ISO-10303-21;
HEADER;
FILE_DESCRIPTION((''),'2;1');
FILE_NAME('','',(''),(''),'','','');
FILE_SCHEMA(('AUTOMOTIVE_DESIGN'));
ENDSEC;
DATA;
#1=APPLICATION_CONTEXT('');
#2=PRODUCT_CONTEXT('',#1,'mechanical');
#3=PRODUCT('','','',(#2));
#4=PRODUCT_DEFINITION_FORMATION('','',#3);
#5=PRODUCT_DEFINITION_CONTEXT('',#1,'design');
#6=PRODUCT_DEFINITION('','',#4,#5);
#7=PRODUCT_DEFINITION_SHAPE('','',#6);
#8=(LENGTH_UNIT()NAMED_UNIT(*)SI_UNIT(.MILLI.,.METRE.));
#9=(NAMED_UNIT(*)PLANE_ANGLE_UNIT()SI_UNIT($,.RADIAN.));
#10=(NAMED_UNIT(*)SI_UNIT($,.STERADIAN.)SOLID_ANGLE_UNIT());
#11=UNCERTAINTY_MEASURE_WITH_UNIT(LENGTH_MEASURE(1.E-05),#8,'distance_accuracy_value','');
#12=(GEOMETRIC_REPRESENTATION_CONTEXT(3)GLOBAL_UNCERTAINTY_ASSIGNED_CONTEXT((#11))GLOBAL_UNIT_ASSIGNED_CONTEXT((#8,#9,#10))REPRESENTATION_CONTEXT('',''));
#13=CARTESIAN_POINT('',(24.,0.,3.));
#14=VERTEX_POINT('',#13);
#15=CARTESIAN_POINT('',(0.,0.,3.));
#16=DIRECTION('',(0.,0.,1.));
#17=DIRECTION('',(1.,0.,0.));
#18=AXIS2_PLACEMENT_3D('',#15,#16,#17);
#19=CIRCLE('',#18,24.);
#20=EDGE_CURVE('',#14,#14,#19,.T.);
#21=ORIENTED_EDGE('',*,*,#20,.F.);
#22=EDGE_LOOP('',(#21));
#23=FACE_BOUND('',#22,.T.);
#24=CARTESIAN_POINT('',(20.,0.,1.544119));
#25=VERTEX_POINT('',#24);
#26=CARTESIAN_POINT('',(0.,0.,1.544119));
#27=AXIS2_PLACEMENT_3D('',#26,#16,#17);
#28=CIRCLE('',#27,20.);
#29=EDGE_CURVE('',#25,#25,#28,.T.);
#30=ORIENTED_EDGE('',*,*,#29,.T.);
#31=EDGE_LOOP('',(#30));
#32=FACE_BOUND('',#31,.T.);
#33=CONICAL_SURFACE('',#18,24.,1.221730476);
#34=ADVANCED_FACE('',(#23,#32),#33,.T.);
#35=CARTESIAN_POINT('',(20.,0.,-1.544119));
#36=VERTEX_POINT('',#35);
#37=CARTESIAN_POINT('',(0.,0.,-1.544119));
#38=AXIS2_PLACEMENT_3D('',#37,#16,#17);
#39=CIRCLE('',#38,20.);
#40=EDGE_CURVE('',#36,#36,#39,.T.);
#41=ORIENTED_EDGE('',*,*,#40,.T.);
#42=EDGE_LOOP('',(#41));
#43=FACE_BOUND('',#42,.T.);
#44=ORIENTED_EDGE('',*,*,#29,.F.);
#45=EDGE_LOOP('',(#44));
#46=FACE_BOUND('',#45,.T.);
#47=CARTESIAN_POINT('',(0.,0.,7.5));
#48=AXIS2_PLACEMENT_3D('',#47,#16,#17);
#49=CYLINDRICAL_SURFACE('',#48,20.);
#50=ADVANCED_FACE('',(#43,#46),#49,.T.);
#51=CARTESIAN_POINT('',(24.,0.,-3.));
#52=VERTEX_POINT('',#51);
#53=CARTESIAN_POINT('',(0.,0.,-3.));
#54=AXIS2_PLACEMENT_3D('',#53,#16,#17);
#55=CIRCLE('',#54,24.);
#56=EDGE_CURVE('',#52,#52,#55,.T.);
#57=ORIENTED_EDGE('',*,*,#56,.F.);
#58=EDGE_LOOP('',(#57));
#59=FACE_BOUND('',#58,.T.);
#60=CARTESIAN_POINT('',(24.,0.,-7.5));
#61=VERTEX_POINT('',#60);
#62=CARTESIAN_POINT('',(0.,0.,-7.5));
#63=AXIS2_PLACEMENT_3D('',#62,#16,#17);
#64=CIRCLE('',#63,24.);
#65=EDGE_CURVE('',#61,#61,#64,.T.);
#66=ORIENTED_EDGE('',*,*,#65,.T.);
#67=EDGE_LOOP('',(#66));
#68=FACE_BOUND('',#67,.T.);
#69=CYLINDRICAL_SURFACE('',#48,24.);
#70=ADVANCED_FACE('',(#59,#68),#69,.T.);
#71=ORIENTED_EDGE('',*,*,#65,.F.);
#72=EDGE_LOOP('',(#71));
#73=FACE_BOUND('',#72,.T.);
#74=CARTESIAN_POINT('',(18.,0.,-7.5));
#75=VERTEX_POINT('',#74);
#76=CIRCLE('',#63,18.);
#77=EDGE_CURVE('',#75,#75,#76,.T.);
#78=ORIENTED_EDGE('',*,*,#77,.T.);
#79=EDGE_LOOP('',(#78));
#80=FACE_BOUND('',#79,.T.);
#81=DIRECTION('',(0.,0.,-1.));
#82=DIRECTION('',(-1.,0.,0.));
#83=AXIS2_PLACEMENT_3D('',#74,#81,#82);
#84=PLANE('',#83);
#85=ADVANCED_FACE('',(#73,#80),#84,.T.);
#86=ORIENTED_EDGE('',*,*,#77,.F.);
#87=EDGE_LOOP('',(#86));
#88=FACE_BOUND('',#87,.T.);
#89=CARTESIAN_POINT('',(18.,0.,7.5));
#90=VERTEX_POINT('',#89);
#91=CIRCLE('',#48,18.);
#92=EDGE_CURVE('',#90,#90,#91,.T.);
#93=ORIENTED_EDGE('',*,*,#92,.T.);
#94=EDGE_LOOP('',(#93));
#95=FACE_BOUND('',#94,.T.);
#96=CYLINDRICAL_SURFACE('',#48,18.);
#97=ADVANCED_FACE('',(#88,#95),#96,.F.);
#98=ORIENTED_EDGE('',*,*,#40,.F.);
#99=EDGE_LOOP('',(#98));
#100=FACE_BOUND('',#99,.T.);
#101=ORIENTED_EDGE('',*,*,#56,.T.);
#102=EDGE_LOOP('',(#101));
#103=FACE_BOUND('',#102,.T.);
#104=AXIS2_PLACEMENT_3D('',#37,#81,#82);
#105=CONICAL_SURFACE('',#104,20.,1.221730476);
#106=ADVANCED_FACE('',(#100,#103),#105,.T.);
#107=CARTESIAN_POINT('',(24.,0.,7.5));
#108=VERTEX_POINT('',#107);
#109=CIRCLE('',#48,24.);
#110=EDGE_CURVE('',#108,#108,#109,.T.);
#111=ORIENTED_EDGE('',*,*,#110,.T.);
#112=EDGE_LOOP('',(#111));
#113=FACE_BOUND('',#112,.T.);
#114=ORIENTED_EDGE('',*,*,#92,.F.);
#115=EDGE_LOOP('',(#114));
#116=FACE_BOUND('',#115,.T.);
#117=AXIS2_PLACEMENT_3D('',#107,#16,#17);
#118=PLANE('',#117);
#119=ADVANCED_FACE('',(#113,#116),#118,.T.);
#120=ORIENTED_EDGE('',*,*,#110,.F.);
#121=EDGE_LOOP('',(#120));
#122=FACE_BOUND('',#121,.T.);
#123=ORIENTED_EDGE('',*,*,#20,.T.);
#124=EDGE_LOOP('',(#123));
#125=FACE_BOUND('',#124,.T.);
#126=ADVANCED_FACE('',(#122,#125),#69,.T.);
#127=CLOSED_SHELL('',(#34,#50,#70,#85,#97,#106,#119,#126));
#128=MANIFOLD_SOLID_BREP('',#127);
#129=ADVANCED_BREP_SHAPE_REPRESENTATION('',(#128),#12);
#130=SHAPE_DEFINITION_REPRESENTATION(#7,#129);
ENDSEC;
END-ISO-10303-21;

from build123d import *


with BuildPart() as part:
    # Croquis1 → Revolución1 (revolve)
    with BuildSketch(Plane(origin=(0, 0, 0), x_dir=(1, 0, 0), z_dir=(0, 1, 0))):
        Polygon((18, 7.5), (18, -7.5), (24, -7.5), (24, -3), (20, -1.544119063), (20, 1.544119063), (24, 3), (24, 7.5), align=None)
    revolve(axis=Axis((0, 0, 7.5), (0, 0, -1)))


solid = part.part
